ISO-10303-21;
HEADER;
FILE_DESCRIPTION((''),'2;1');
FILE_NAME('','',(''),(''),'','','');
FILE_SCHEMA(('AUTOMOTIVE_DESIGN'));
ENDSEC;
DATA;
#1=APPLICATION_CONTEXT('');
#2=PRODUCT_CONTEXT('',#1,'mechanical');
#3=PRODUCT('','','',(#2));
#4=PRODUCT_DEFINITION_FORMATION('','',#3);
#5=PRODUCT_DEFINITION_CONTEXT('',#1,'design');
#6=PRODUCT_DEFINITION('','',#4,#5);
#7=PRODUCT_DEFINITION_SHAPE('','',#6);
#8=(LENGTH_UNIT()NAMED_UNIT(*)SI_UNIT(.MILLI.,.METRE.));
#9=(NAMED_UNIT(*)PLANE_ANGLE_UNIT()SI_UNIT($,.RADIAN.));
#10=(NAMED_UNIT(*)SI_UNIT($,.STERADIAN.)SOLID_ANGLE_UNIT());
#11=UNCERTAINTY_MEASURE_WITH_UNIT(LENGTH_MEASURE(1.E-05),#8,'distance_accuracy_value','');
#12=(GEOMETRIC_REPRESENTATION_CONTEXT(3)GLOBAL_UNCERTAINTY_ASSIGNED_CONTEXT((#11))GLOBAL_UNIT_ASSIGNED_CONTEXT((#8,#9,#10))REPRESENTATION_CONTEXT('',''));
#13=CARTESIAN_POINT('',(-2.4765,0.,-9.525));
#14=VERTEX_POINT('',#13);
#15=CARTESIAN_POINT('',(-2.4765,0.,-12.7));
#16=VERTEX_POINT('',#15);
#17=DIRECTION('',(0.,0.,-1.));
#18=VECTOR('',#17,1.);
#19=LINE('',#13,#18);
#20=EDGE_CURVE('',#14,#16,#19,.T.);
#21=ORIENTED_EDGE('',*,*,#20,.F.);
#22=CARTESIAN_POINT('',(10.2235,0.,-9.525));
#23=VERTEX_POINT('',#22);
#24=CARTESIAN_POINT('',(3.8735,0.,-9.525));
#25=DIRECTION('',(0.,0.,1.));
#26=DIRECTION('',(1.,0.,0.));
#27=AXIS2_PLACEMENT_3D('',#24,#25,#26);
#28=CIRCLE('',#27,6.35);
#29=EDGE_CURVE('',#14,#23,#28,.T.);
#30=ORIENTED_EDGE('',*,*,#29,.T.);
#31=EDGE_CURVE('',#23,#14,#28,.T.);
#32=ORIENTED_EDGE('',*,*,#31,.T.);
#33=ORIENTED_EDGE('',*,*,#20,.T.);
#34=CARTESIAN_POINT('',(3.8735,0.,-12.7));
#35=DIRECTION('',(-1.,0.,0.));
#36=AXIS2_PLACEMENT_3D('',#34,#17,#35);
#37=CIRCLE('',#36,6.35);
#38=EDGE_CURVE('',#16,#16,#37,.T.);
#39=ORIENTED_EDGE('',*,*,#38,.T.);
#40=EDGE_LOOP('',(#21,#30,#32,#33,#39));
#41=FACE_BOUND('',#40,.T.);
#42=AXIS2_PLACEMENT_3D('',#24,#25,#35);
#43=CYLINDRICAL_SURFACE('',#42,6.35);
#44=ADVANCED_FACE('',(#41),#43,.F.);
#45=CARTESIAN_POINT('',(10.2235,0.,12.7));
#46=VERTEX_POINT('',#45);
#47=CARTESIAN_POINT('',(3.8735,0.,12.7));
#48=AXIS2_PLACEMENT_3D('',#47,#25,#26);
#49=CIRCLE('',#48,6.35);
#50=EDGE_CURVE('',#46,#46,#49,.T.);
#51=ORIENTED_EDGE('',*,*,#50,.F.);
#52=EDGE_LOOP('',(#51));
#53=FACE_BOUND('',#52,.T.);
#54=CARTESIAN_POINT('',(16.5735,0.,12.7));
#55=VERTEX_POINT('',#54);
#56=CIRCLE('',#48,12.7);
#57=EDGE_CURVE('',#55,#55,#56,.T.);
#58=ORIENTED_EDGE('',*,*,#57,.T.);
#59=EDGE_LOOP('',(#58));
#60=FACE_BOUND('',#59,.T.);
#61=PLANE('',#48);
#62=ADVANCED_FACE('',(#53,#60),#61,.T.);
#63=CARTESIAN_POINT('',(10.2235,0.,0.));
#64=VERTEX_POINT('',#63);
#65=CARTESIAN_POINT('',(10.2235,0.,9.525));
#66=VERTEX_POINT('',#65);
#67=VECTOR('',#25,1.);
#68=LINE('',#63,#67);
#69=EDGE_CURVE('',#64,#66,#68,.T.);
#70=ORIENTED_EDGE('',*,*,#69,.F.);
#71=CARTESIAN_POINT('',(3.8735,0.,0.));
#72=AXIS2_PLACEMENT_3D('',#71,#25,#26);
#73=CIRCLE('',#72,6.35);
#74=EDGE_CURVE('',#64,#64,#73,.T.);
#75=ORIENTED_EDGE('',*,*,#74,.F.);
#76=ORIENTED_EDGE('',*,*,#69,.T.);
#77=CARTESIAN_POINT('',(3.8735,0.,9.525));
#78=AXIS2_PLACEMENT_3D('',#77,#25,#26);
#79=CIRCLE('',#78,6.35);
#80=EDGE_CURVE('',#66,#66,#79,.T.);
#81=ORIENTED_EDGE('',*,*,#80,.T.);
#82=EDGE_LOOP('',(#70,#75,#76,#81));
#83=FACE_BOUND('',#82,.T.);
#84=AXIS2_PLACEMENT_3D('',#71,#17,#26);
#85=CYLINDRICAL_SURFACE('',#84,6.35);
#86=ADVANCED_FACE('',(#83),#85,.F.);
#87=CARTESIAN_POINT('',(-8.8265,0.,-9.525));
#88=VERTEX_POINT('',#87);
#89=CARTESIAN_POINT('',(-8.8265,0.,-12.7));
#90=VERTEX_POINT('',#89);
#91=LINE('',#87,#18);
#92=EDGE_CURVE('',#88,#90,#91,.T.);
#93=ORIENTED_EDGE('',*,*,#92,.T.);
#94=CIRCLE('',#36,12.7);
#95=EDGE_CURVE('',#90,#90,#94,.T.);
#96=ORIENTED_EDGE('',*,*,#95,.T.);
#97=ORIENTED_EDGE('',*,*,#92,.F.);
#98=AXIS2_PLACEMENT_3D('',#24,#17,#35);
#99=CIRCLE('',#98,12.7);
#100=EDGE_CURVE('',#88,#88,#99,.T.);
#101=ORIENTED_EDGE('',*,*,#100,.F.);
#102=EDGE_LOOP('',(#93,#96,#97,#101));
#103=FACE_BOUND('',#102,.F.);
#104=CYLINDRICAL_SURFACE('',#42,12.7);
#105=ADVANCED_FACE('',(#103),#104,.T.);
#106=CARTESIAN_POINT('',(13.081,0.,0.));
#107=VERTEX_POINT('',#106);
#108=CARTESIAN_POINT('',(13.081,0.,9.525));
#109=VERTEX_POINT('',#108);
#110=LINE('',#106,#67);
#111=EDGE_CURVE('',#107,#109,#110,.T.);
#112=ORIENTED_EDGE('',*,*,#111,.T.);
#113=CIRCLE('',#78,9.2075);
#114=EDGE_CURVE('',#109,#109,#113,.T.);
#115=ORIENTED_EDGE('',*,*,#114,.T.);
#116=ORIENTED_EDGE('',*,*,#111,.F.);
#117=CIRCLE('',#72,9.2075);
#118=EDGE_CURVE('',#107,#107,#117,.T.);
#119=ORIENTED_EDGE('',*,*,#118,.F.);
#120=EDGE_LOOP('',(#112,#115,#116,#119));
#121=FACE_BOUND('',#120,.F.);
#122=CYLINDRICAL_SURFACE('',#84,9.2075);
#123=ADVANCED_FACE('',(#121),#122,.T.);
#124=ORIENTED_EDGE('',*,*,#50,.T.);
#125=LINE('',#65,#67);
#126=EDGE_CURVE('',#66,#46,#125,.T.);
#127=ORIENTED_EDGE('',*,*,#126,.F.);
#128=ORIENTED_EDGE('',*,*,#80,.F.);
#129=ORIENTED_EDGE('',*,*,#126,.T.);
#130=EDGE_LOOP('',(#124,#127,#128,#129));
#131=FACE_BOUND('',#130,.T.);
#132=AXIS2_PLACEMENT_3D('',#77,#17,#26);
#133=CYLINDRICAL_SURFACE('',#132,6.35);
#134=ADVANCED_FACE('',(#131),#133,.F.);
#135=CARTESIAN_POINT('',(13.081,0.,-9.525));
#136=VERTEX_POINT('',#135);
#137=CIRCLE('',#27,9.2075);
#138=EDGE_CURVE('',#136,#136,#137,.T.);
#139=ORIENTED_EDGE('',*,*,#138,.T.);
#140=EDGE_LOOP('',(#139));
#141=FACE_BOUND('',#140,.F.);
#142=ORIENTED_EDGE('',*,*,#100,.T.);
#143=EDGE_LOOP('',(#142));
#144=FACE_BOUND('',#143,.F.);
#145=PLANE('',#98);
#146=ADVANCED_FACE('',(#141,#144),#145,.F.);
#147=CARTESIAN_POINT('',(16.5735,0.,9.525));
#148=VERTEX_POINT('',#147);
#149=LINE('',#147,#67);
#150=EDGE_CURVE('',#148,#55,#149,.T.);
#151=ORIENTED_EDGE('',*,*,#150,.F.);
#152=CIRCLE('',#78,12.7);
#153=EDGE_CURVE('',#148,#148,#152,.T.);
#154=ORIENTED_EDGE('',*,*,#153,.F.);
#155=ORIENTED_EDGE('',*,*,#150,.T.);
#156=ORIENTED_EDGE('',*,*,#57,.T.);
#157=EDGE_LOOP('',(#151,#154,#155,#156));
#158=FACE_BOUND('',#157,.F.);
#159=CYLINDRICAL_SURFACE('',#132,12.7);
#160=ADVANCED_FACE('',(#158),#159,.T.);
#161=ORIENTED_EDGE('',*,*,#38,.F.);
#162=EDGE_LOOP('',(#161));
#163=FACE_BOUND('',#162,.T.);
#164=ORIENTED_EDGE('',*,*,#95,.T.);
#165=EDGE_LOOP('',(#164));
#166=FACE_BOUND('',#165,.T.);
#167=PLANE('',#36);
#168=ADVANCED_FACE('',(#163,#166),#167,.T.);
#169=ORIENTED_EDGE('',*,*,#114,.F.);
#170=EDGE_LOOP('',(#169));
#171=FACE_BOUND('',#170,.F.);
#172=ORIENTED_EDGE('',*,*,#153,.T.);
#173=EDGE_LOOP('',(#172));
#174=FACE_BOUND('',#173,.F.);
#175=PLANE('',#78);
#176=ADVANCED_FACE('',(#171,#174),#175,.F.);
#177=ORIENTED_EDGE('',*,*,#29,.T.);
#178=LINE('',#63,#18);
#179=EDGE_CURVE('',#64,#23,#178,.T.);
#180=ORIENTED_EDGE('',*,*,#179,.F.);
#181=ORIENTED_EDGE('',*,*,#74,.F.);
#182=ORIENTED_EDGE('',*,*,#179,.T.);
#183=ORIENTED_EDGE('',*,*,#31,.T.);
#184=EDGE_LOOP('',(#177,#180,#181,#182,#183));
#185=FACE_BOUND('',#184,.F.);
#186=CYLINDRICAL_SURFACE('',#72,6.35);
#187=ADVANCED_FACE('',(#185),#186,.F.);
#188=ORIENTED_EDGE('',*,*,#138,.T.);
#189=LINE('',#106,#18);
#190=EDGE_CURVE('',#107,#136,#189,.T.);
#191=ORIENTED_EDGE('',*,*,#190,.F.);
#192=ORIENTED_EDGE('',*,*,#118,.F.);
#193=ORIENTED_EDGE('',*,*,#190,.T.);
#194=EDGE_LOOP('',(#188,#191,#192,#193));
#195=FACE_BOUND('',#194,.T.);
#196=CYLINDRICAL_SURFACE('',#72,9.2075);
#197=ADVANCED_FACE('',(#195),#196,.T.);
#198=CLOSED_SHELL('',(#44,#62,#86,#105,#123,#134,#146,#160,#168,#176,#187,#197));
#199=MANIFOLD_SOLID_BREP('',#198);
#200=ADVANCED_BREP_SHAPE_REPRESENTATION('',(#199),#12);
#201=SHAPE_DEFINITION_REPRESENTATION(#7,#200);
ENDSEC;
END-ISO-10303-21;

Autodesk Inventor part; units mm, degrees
ref_plane "YZ Plane" through (0, 0, 0) normal (1, 0, 0) x (0, 1, 0)
ref_plane "XZ Plane" through (0, 0, 0) normal (0, 1, 0) x (-1, 0, 0)
ref_plane "XY Plane" through (0, 0, 0) normal (0, 0, 1) x (1, 0, 0)
sketch "Sketch1" plane through (0, 0, 0) normal (0, 0, 1) x (1, 0, 0)
  line L0 (-12.7, 76.2) -> (12.7, 76.2) construction
  line L1 (12.7, 76.2) -> (12.7, -76.2) construction
  line L2 (12.7, -76.2) -> (-12.7, -76.2) construction
  line L3 (-12.7, -76.2) -> (-12.7, 76.2) construction
  line L4 (-12.7, 76.2) -> (12.7, -76.2) construction
  line L5 (12.7, 76.2) -> (-12.7, -76.2) construction
  line L6 (19.05, 76.2) -> (44.45, 76.2) construction
  line L7 (44.45, 76.2) -> (44.45, -76.2) construction
  line L8 (44.45, -76.2) -> (19.05, -76.2) construction
  line L9 (19.05, -76.2) -> (19.05, 76.2) construction
  line L10 (19.05, 76.2) -> (44.45, -76.2) construction
  line L11 (44.45, 76.2) -> (19.05, -76.2) construction
  circle A0 centre (3.8735, 0) radius 6.35
  line L12 (11.1125, -57.0186) -> (11.1125, 57.0186) construction
  line L13 (11.1125, 57.0186) -> (-14.2875, -95.3814) construction
  line L14 (-14.2875, -95.3814) -> (-14.2875, 95.3814) construction
  line L15 (-14.2875, 95.3814) -> (11.1125, -57.0186) construction
  line L16 (13.081, 27.2802) -> (13.081, -0.0011) construction
  circle A1 centre (3.8735, 0) radius 9.2075
  point P0 (0, 0)
  point P1 (31.75, 0)
  point P2 (0, 0)
  point P3 (0, 76.2)
  point P4 (31.75, 76.2)
  point P5 (0, 0)
  dimension "d1" = 25.4
  dimension "d2" = 152.4
  dimension "d3" = 25.4
  dimension "d4" = 152.4
  dimension "d5" = 6.35
  dimension "d6" = 12.7
  dimension "d7" = 1.5875
  dimension "d8" = 0.381
  dimension "d11" = 18.415
  dimension "d21" = 8.8265
extrude "Extrusion1" add sketch "Sketch1" along normal mid plane 19.05
sketch "Sketch2" plane through (3.8735, 0, 9.525) normal (0, 0, 1) x (1, 0, 0)
  circle A0 centre (0, 0) radius 9.2075 projected
  circle A1 centre (0, 0) radius 12.7
  circle A2 centre (0, 0) radius 6.35 projected
  point P0 (-3.8735, 0)
  dimension "d23" = 25.4
extrude "Extrusion2" add sketch "Sketch2" along normal blind 3.175 contours A0 | A1
sketch "Sketch3" plane through (3.8735, 0, -9.525) normal (0, 0, -1) x (-1, 0, 0)
  circle A0 centre (0, 0) radius 9.2075 projected
  circle A1 centre (0, 0) radius 12.7
  circle A2 centre (0, 0) radius 6.35 projected
  point P0 (3.8735, 0)
  dimension "d22" = 25.4
extrude "Extrusion3" add sketch "Sketch3" along normal blind 3.175 contours A0 | A1
properties part number "EL2-007" material "Aluminum 6061"
